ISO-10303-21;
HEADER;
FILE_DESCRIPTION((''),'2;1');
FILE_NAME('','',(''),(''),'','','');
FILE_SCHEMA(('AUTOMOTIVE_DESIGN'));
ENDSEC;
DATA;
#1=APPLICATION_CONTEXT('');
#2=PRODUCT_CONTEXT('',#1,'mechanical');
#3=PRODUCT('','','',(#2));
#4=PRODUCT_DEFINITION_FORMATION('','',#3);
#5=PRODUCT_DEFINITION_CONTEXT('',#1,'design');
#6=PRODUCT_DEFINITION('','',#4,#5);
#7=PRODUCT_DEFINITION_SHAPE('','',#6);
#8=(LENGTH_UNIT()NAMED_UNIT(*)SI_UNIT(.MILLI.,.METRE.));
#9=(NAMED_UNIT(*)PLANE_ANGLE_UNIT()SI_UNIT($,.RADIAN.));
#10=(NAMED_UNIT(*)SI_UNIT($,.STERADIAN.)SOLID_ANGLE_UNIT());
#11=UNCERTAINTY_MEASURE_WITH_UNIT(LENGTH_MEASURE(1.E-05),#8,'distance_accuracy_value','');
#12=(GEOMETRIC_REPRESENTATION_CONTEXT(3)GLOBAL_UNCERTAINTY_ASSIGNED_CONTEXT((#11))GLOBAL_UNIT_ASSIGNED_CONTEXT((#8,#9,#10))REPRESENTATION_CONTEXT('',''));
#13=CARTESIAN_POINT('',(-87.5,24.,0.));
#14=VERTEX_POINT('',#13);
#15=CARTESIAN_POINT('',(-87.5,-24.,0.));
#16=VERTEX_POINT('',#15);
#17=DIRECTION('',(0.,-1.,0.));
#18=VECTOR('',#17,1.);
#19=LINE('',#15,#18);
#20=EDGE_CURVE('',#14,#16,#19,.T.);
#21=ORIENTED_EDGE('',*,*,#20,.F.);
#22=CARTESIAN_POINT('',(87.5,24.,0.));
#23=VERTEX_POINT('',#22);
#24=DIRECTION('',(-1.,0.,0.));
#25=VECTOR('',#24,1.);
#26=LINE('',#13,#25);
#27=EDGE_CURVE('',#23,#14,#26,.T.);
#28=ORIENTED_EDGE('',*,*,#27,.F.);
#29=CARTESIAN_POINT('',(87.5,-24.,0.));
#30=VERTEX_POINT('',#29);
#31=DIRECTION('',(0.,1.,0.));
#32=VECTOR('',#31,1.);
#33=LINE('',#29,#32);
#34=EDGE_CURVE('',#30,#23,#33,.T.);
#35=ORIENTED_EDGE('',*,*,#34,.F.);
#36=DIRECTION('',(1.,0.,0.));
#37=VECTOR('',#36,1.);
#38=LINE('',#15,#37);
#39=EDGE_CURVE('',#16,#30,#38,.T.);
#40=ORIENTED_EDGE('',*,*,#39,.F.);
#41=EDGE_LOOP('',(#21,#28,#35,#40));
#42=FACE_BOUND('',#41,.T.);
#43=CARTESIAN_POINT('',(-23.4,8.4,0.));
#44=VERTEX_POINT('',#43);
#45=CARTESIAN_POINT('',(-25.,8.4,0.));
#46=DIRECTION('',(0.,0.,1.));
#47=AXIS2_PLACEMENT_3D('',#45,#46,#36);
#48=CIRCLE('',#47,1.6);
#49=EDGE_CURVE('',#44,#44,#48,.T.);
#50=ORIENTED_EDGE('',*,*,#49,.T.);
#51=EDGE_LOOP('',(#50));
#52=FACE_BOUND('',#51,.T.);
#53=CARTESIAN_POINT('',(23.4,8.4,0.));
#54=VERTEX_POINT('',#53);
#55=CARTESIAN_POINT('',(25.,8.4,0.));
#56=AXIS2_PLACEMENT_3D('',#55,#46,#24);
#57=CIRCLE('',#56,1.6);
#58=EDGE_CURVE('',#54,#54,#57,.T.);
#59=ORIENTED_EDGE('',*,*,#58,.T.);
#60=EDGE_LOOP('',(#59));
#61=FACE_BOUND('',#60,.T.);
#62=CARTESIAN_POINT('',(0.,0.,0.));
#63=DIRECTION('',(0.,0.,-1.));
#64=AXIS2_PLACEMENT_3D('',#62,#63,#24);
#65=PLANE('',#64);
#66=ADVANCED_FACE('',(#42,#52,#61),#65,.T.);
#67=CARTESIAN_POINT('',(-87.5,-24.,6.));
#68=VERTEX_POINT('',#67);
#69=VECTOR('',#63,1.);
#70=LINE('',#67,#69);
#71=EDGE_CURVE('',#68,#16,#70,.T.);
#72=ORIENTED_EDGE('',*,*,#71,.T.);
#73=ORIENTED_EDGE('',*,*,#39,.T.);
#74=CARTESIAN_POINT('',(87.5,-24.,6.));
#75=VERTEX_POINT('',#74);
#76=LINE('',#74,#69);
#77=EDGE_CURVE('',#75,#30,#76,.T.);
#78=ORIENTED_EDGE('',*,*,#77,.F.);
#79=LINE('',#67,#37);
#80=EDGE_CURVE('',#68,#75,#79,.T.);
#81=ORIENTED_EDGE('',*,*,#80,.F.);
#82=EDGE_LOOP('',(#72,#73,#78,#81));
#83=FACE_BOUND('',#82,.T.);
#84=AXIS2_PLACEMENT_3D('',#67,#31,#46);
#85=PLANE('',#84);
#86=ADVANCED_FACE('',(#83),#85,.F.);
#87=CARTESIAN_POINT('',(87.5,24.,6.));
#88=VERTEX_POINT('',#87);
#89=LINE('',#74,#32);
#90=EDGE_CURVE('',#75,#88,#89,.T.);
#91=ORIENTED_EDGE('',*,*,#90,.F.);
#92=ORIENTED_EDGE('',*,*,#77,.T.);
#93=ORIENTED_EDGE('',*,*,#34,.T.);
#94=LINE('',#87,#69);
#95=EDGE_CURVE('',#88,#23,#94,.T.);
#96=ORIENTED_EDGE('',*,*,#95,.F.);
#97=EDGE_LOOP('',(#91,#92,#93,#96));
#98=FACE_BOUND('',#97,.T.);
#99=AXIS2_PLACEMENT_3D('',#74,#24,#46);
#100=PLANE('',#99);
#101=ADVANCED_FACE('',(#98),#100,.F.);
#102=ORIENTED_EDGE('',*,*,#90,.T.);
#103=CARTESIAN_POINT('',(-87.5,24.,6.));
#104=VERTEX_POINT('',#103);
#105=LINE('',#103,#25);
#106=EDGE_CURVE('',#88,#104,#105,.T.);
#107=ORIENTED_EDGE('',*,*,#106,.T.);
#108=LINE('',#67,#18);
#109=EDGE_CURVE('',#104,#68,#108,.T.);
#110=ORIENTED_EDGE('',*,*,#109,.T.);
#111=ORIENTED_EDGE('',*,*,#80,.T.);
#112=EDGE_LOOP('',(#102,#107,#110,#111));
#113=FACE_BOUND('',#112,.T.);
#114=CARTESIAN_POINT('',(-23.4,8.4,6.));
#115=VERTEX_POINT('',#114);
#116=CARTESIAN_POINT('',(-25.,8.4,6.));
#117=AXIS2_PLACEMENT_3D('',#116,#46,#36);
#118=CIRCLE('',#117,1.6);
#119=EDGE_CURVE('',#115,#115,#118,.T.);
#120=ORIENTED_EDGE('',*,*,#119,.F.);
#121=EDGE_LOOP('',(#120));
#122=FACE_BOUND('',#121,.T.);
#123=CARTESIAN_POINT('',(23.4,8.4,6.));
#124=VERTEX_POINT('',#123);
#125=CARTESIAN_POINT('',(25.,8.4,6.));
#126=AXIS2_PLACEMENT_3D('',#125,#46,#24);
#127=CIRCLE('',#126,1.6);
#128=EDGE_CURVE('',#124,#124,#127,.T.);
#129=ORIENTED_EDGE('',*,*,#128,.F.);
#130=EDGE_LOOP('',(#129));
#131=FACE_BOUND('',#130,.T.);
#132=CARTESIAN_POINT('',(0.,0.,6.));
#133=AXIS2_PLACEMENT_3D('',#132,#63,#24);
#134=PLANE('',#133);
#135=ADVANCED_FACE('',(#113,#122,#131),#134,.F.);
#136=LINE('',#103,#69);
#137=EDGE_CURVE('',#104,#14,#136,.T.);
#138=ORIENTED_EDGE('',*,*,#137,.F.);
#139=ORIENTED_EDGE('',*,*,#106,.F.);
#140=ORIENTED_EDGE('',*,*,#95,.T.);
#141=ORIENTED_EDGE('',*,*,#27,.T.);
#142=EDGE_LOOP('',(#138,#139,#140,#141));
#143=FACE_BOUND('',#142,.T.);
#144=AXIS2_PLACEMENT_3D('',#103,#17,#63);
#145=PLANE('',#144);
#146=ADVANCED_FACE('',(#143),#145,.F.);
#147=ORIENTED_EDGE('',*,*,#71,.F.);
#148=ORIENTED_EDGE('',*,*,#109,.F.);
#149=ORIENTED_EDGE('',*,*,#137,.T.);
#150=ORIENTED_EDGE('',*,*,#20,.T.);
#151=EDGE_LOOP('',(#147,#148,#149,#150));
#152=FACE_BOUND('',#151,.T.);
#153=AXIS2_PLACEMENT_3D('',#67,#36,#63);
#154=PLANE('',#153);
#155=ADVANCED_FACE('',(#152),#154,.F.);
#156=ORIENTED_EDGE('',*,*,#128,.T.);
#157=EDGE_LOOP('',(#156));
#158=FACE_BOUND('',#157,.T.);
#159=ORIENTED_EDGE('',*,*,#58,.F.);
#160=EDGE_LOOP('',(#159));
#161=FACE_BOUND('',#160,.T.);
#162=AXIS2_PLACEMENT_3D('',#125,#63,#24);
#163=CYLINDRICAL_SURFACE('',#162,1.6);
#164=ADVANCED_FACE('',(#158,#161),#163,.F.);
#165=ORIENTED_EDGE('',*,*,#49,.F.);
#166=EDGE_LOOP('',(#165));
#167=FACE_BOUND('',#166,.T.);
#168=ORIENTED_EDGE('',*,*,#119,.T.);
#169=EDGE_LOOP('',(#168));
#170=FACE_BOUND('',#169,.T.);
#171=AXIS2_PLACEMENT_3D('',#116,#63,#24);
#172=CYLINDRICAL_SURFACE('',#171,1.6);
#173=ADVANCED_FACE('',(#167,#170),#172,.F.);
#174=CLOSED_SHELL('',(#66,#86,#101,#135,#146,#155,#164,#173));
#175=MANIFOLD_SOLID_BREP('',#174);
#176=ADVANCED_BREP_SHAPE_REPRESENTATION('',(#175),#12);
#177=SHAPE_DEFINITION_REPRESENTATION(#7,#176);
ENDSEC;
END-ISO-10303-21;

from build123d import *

# Parameters (mm, degrees)
SKETCH1_W           = 175
SKETCH1_H           = 48
SKETCH1_R           = 1.6
BOSS_EXTRUDE1_DEPTH = 6


with BuildPart() as part:
    # Sketch1 → Boss-Extrude1 (new body)
    with BuildSketch(Plane.XY):
        Rectangle(SKETCH1_W, SKETCH1_H)
        with Locations((-25, 8.4)):
            Circle(SKETCH1_R, mode=Mode.SUBTRACT)
        with Locations(Location((25, 8.4, 0), (0, 0, 180))):
            Circle(SKETCH1_R, mode=Mode.SUBTRACT)
    extrude(amount=BOSS_EXTRUDE1_DEPTH)


solid = part.part
